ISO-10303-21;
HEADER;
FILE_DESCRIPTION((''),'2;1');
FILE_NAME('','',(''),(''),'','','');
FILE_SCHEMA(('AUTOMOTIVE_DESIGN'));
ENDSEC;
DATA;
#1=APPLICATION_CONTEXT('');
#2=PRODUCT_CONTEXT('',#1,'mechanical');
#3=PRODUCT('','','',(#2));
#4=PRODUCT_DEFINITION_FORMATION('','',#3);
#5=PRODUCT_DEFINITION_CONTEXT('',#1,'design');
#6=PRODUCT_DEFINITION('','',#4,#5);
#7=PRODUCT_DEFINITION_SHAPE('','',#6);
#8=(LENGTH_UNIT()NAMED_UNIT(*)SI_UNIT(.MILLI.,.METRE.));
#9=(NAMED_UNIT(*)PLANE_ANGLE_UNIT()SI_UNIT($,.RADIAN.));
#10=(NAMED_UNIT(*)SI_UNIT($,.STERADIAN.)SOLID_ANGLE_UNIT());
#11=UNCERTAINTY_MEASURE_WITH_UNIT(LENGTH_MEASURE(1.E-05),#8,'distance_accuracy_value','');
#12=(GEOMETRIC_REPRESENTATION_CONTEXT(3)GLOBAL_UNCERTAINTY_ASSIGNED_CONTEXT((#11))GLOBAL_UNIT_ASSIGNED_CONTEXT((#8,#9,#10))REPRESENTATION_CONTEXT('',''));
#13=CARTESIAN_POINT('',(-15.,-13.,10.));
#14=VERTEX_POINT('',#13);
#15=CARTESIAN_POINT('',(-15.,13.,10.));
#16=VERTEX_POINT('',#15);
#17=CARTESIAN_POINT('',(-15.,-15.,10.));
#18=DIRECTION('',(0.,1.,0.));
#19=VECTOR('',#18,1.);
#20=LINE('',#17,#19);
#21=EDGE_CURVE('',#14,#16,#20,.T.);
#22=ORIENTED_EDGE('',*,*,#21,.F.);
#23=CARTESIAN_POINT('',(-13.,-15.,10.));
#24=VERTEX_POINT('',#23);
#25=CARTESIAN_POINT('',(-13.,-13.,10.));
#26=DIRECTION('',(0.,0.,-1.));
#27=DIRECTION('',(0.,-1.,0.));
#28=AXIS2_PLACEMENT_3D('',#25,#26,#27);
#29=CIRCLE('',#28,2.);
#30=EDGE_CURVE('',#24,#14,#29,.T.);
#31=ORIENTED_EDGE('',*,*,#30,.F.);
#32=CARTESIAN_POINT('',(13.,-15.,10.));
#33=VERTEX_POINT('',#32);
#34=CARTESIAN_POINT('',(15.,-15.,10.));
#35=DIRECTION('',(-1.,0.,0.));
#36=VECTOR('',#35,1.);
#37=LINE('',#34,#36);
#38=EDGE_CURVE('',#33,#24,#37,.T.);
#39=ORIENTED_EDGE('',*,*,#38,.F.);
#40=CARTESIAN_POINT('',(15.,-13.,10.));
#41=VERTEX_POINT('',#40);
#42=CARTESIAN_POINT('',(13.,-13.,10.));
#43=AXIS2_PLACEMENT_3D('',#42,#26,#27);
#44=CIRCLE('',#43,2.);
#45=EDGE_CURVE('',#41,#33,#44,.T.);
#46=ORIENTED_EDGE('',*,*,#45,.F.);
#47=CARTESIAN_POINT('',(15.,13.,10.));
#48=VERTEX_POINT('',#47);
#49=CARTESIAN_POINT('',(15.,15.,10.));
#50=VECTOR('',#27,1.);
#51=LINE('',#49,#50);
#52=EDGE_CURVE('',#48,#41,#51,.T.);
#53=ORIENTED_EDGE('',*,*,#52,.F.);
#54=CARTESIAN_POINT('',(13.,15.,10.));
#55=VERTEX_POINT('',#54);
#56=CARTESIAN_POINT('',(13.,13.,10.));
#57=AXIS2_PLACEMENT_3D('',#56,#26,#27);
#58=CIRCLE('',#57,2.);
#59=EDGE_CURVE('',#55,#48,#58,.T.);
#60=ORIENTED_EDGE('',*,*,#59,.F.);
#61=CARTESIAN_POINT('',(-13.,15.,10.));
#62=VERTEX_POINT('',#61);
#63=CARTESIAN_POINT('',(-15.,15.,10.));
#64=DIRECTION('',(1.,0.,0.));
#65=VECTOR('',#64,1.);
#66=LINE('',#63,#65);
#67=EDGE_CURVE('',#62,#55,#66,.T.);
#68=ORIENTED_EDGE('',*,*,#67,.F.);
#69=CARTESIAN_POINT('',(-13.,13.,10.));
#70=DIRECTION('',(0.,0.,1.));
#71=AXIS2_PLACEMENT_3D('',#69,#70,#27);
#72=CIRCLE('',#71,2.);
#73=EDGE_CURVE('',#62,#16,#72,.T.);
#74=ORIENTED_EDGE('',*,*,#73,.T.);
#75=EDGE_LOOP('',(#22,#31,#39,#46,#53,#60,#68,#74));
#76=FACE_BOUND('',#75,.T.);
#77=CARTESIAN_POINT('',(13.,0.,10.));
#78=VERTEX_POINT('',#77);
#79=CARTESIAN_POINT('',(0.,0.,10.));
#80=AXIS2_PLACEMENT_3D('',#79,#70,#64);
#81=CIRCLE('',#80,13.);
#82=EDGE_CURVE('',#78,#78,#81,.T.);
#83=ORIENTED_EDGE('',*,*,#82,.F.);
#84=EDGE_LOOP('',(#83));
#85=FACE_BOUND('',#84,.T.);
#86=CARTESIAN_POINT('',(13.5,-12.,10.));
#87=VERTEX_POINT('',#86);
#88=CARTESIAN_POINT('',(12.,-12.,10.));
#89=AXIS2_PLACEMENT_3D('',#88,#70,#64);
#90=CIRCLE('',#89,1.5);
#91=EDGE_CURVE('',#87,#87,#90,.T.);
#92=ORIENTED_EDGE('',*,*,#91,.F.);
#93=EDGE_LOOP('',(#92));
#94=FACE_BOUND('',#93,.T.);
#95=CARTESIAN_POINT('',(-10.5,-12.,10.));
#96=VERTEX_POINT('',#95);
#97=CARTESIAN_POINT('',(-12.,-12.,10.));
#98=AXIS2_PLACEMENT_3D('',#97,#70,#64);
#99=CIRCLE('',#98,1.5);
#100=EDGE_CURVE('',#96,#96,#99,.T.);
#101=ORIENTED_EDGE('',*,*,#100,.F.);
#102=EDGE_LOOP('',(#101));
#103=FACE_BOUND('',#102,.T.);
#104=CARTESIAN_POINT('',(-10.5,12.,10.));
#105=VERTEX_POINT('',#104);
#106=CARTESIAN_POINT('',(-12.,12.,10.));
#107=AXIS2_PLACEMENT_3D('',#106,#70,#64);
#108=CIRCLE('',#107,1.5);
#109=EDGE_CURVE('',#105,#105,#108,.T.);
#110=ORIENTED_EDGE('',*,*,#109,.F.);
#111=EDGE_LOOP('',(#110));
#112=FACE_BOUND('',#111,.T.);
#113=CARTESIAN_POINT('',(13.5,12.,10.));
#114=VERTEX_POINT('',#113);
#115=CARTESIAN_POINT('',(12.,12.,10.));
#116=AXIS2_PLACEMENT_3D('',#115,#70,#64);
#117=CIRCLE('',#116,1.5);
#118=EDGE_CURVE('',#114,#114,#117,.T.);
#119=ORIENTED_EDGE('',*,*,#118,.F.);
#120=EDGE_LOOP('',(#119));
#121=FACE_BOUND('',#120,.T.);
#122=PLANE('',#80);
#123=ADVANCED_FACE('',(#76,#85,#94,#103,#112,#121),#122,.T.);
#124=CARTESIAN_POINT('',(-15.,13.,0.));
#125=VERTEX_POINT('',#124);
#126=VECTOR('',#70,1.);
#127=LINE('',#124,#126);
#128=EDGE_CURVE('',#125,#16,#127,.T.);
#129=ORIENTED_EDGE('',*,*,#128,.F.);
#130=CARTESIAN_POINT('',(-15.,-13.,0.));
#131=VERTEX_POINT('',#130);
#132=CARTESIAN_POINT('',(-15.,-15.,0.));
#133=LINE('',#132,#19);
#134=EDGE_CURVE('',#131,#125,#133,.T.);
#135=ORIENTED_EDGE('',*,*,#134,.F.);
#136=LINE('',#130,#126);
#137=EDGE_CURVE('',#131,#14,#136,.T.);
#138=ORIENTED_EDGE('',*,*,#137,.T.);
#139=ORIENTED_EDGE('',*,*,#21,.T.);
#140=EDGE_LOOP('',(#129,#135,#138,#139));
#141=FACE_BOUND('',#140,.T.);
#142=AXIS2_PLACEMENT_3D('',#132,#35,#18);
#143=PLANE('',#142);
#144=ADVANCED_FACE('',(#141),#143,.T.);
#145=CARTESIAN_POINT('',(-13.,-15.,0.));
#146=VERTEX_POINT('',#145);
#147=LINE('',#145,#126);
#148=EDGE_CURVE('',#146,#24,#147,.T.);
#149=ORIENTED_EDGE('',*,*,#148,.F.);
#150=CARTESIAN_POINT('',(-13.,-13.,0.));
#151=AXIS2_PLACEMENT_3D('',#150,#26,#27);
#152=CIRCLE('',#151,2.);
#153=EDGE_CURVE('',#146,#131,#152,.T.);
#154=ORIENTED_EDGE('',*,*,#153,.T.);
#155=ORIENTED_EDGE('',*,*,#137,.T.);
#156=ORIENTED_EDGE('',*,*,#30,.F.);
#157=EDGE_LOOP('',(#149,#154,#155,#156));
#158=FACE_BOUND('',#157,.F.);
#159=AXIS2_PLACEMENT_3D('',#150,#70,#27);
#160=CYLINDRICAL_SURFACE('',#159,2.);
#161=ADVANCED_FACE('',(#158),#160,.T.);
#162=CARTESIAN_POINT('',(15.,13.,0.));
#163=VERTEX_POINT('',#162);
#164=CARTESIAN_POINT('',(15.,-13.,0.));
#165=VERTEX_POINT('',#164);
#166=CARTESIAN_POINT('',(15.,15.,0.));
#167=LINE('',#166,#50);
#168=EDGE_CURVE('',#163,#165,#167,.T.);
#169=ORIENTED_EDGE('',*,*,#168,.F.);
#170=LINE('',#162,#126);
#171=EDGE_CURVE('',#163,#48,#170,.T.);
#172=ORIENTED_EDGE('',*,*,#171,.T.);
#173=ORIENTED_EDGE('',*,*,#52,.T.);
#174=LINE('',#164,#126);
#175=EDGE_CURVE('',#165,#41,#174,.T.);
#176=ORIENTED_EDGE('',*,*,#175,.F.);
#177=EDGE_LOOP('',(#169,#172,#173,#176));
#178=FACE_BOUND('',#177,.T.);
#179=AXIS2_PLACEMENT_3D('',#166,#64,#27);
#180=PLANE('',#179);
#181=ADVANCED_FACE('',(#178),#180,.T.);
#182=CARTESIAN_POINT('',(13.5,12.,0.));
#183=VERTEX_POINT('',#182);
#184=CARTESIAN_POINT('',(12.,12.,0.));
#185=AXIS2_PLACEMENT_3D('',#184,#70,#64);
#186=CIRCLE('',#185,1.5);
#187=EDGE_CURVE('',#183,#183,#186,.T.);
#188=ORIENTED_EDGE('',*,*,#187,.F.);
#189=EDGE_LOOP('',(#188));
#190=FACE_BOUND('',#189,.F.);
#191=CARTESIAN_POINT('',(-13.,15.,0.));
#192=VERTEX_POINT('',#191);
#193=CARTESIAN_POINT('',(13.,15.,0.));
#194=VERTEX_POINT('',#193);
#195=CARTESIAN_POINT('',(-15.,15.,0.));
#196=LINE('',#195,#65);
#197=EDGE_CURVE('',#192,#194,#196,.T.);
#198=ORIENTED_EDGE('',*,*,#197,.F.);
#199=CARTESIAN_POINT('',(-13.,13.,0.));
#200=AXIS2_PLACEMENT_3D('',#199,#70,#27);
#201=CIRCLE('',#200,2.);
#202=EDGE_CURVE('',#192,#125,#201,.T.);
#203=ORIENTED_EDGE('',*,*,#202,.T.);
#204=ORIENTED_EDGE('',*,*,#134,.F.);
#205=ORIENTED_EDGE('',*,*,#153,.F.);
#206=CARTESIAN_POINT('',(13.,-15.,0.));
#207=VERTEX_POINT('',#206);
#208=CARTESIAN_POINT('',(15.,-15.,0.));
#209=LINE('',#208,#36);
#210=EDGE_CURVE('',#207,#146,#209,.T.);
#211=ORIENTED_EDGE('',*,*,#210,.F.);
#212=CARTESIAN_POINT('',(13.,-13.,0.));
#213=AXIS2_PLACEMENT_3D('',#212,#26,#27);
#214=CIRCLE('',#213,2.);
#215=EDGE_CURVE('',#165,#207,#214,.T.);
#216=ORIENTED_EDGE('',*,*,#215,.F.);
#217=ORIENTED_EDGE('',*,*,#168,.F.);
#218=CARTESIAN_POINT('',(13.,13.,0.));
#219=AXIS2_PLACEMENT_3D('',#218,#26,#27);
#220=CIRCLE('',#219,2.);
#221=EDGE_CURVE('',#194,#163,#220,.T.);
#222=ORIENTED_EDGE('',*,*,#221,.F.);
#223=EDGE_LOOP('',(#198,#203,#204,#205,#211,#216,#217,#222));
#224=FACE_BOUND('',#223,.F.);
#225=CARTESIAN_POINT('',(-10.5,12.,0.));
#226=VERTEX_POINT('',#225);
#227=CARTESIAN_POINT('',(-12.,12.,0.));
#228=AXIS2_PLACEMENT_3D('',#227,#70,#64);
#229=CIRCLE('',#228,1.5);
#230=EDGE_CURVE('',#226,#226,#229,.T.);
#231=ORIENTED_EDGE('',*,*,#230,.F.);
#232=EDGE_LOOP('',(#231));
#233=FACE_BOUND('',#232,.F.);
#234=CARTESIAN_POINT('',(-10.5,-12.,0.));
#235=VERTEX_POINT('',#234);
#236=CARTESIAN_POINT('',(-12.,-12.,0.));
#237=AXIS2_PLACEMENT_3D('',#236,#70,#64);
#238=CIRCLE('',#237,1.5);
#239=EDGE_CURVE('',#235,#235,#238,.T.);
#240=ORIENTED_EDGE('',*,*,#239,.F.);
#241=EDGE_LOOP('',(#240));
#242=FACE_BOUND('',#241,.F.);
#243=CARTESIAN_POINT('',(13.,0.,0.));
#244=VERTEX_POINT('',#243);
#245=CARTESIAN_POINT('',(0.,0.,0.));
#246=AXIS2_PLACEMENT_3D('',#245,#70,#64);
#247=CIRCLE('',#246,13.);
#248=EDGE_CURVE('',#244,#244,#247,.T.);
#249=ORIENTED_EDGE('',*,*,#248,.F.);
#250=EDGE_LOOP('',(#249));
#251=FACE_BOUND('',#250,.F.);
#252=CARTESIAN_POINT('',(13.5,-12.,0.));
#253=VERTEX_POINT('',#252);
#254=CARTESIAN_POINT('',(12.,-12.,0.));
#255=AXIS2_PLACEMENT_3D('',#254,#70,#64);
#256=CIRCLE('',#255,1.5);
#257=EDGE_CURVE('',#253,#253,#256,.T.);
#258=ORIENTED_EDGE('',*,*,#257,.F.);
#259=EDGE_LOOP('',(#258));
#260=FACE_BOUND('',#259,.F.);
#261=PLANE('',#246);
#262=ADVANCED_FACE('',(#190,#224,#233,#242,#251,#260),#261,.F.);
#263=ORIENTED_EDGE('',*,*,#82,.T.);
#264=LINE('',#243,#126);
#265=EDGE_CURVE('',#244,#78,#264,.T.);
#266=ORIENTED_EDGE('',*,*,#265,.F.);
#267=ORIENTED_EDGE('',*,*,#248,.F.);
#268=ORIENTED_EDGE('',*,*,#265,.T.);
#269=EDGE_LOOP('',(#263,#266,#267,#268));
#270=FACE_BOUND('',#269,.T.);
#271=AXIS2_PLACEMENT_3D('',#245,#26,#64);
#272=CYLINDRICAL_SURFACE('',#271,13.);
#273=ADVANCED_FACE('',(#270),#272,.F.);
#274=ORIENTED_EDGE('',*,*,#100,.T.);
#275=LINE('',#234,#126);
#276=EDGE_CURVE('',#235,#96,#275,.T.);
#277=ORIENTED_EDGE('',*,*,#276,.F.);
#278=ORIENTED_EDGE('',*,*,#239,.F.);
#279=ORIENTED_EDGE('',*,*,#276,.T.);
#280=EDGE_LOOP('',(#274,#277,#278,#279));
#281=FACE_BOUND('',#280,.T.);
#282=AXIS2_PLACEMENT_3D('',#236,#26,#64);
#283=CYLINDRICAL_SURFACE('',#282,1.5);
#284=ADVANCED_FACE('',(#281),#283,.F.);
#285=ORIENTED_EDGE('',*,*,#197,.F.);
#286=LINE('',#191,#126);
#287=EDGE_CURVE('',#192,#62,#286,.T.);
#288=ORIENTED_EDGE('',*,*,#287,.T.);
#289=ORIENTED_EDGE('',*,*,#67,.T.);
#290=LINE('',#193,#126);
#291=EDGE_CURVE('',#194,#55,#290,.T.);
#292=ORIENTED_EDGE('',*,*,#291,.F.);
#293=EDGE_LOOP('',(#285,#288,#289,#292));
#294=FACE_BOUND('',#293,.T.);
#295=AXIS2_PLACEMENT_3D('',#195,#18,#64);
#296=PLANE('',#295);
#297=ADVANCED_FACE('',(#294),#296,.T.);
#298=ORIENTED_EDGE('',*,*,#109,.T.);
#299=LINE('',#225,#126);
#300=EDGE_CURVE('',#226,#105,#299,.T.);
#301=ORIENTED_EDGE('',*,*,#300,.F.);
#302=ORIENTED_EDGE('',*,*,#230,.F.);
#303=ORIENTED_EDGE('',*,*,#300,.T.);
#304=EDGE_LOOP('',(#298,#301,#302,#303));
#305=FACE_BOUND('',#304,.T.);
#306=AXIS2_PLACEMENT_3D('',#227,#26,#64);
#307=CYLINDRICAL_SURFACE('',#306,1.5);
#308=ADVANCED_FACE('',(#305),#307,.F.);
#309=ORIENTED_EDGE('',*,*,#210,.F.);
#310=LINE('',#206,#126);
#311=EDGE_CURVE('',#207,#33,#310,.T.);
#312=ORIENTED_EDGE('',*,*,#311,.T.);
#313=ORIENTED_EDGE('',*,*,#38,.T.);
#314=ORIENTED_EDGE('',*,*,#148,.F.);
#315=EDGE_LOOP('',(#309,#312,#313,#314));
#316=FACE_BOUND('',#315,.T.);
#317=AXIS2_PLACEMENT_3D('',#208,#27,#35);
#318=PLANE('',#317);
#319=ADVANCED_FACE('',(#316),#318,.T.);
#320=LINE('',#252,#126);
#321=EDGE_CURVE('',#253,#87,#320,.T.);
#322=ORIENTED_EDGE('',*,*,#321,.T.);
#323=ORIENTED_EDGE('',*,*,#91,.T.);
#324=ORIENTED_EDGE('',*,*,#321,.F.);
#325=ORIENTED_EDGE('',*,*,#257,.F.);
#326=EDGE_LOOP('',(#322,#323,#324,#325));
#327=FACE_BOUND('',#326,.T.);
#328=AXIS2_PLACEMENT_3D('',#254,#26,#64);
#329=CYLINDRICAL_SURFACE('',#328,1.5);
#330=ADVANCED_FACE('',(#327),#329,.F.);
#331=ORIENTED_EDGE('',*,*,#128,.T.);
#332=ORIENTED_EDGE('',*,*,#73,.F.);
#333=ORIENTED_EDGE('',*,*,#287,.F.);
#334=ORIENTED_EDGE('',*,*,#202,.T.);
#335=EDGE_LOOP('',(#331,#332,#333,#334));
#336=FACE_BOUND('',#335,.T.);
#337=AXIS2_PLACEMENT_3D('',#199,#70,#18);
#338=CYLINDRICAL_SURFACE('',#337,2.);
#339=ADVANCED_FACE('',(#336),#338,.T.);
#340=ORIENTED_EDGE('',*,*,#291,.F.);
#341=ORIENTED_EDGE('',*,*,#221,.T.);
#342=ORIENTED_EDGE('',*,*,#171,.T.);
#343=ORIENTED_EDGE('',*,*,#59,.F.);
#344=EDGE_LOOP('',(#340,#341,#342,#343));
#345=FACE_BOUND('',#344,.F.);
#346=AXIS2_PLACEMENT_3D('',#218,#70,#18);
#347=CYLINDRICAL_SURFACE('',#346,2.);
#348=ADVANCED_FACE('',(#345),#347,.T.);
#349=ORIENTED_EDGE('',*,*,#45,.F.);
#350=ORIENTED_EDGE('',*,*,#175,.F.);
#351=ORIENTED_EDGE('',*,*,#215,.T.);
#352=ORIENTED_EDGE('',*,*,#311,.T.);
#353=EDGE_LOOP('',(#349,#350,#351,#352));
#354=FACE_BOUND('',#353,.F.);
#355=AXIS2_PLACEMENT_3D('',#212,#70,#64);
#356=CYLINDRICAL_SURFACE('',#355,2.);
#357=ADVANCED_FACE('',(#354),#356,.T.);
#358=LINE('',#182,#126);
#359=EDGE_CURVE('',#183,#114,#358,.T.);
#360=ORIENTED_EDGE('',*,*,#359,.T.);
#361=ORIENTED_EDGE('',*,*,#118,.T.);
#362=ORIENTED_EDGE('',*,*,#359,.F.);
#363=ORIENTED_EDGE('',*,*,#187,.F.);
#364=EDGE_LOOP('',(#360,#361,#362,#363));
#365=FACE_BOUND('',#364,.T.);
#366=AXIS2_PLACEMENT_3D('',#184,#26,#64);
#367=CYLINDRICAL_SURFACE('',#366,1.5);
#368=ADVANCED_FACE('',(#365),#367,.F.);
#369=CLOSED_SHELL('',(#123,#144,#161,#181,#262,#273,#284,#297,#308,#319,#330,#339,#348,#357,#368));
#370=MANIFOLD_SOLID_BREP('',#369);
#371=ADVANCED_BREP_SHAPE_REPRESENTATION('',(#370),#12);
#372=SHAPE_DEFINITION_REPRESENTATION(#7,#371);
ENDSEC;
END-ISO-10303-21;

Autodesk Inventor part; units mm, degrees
ref_plane "YZ Plane" through (0, 0, 0) normal (1, 0, 0) x (0, 1, 0)
ref_plane "XZ Plane" through (0, 0, 0) normal (0, 1, 0) x (-1, 0, 0)
ref_plane "XY Plane" through (0, 0, 0) normal (0, 0, 1) x (1, 0, 0)
sketch "Sketch1" plane through (0, 0, 0) normal (0, 0, 1) x (1, 0, 0)
  line L0 (-15, 15) -> (15, 15)
  line L1 (15, 15) -> (15, -15)
  line L2 (15, -15) -> (-15, -15)
  line L3 (-15, -15) -> (-15, 15)
  circle A0 centre (0, 0) radius 13
  circle A1 centre (-12, 12) radius 1.5
  circle A2 centre (-12, -12) radius 1.5
  circle A3 centre (12, -12) radius 1.5
  circle A4 centre (12, 12) radius 1.5
  dimension "d0" = 30
  dimension "d1" = 30
  dimension "d2" = 15
  dimension "d3" = 15
  dimension "d4" = 26
  dimension "d5" = 3
  dimension "d6" = 3
  dimension "d7" = 3
  dimension "d10" = 360
extrude "Extrusion1" add sketch "Sketch1" along normal blind 10
fillet "Fillet1" radius 2 4 edges at (15, 15, 5) (-15, 15, 5) (-15, -15, 5) (15, -15, 5)
equation "\"d2\" = 0.5 * d0"
equation "\"d3\" = 0.5 * d1"
properties part number "30x30 fan cooler"
